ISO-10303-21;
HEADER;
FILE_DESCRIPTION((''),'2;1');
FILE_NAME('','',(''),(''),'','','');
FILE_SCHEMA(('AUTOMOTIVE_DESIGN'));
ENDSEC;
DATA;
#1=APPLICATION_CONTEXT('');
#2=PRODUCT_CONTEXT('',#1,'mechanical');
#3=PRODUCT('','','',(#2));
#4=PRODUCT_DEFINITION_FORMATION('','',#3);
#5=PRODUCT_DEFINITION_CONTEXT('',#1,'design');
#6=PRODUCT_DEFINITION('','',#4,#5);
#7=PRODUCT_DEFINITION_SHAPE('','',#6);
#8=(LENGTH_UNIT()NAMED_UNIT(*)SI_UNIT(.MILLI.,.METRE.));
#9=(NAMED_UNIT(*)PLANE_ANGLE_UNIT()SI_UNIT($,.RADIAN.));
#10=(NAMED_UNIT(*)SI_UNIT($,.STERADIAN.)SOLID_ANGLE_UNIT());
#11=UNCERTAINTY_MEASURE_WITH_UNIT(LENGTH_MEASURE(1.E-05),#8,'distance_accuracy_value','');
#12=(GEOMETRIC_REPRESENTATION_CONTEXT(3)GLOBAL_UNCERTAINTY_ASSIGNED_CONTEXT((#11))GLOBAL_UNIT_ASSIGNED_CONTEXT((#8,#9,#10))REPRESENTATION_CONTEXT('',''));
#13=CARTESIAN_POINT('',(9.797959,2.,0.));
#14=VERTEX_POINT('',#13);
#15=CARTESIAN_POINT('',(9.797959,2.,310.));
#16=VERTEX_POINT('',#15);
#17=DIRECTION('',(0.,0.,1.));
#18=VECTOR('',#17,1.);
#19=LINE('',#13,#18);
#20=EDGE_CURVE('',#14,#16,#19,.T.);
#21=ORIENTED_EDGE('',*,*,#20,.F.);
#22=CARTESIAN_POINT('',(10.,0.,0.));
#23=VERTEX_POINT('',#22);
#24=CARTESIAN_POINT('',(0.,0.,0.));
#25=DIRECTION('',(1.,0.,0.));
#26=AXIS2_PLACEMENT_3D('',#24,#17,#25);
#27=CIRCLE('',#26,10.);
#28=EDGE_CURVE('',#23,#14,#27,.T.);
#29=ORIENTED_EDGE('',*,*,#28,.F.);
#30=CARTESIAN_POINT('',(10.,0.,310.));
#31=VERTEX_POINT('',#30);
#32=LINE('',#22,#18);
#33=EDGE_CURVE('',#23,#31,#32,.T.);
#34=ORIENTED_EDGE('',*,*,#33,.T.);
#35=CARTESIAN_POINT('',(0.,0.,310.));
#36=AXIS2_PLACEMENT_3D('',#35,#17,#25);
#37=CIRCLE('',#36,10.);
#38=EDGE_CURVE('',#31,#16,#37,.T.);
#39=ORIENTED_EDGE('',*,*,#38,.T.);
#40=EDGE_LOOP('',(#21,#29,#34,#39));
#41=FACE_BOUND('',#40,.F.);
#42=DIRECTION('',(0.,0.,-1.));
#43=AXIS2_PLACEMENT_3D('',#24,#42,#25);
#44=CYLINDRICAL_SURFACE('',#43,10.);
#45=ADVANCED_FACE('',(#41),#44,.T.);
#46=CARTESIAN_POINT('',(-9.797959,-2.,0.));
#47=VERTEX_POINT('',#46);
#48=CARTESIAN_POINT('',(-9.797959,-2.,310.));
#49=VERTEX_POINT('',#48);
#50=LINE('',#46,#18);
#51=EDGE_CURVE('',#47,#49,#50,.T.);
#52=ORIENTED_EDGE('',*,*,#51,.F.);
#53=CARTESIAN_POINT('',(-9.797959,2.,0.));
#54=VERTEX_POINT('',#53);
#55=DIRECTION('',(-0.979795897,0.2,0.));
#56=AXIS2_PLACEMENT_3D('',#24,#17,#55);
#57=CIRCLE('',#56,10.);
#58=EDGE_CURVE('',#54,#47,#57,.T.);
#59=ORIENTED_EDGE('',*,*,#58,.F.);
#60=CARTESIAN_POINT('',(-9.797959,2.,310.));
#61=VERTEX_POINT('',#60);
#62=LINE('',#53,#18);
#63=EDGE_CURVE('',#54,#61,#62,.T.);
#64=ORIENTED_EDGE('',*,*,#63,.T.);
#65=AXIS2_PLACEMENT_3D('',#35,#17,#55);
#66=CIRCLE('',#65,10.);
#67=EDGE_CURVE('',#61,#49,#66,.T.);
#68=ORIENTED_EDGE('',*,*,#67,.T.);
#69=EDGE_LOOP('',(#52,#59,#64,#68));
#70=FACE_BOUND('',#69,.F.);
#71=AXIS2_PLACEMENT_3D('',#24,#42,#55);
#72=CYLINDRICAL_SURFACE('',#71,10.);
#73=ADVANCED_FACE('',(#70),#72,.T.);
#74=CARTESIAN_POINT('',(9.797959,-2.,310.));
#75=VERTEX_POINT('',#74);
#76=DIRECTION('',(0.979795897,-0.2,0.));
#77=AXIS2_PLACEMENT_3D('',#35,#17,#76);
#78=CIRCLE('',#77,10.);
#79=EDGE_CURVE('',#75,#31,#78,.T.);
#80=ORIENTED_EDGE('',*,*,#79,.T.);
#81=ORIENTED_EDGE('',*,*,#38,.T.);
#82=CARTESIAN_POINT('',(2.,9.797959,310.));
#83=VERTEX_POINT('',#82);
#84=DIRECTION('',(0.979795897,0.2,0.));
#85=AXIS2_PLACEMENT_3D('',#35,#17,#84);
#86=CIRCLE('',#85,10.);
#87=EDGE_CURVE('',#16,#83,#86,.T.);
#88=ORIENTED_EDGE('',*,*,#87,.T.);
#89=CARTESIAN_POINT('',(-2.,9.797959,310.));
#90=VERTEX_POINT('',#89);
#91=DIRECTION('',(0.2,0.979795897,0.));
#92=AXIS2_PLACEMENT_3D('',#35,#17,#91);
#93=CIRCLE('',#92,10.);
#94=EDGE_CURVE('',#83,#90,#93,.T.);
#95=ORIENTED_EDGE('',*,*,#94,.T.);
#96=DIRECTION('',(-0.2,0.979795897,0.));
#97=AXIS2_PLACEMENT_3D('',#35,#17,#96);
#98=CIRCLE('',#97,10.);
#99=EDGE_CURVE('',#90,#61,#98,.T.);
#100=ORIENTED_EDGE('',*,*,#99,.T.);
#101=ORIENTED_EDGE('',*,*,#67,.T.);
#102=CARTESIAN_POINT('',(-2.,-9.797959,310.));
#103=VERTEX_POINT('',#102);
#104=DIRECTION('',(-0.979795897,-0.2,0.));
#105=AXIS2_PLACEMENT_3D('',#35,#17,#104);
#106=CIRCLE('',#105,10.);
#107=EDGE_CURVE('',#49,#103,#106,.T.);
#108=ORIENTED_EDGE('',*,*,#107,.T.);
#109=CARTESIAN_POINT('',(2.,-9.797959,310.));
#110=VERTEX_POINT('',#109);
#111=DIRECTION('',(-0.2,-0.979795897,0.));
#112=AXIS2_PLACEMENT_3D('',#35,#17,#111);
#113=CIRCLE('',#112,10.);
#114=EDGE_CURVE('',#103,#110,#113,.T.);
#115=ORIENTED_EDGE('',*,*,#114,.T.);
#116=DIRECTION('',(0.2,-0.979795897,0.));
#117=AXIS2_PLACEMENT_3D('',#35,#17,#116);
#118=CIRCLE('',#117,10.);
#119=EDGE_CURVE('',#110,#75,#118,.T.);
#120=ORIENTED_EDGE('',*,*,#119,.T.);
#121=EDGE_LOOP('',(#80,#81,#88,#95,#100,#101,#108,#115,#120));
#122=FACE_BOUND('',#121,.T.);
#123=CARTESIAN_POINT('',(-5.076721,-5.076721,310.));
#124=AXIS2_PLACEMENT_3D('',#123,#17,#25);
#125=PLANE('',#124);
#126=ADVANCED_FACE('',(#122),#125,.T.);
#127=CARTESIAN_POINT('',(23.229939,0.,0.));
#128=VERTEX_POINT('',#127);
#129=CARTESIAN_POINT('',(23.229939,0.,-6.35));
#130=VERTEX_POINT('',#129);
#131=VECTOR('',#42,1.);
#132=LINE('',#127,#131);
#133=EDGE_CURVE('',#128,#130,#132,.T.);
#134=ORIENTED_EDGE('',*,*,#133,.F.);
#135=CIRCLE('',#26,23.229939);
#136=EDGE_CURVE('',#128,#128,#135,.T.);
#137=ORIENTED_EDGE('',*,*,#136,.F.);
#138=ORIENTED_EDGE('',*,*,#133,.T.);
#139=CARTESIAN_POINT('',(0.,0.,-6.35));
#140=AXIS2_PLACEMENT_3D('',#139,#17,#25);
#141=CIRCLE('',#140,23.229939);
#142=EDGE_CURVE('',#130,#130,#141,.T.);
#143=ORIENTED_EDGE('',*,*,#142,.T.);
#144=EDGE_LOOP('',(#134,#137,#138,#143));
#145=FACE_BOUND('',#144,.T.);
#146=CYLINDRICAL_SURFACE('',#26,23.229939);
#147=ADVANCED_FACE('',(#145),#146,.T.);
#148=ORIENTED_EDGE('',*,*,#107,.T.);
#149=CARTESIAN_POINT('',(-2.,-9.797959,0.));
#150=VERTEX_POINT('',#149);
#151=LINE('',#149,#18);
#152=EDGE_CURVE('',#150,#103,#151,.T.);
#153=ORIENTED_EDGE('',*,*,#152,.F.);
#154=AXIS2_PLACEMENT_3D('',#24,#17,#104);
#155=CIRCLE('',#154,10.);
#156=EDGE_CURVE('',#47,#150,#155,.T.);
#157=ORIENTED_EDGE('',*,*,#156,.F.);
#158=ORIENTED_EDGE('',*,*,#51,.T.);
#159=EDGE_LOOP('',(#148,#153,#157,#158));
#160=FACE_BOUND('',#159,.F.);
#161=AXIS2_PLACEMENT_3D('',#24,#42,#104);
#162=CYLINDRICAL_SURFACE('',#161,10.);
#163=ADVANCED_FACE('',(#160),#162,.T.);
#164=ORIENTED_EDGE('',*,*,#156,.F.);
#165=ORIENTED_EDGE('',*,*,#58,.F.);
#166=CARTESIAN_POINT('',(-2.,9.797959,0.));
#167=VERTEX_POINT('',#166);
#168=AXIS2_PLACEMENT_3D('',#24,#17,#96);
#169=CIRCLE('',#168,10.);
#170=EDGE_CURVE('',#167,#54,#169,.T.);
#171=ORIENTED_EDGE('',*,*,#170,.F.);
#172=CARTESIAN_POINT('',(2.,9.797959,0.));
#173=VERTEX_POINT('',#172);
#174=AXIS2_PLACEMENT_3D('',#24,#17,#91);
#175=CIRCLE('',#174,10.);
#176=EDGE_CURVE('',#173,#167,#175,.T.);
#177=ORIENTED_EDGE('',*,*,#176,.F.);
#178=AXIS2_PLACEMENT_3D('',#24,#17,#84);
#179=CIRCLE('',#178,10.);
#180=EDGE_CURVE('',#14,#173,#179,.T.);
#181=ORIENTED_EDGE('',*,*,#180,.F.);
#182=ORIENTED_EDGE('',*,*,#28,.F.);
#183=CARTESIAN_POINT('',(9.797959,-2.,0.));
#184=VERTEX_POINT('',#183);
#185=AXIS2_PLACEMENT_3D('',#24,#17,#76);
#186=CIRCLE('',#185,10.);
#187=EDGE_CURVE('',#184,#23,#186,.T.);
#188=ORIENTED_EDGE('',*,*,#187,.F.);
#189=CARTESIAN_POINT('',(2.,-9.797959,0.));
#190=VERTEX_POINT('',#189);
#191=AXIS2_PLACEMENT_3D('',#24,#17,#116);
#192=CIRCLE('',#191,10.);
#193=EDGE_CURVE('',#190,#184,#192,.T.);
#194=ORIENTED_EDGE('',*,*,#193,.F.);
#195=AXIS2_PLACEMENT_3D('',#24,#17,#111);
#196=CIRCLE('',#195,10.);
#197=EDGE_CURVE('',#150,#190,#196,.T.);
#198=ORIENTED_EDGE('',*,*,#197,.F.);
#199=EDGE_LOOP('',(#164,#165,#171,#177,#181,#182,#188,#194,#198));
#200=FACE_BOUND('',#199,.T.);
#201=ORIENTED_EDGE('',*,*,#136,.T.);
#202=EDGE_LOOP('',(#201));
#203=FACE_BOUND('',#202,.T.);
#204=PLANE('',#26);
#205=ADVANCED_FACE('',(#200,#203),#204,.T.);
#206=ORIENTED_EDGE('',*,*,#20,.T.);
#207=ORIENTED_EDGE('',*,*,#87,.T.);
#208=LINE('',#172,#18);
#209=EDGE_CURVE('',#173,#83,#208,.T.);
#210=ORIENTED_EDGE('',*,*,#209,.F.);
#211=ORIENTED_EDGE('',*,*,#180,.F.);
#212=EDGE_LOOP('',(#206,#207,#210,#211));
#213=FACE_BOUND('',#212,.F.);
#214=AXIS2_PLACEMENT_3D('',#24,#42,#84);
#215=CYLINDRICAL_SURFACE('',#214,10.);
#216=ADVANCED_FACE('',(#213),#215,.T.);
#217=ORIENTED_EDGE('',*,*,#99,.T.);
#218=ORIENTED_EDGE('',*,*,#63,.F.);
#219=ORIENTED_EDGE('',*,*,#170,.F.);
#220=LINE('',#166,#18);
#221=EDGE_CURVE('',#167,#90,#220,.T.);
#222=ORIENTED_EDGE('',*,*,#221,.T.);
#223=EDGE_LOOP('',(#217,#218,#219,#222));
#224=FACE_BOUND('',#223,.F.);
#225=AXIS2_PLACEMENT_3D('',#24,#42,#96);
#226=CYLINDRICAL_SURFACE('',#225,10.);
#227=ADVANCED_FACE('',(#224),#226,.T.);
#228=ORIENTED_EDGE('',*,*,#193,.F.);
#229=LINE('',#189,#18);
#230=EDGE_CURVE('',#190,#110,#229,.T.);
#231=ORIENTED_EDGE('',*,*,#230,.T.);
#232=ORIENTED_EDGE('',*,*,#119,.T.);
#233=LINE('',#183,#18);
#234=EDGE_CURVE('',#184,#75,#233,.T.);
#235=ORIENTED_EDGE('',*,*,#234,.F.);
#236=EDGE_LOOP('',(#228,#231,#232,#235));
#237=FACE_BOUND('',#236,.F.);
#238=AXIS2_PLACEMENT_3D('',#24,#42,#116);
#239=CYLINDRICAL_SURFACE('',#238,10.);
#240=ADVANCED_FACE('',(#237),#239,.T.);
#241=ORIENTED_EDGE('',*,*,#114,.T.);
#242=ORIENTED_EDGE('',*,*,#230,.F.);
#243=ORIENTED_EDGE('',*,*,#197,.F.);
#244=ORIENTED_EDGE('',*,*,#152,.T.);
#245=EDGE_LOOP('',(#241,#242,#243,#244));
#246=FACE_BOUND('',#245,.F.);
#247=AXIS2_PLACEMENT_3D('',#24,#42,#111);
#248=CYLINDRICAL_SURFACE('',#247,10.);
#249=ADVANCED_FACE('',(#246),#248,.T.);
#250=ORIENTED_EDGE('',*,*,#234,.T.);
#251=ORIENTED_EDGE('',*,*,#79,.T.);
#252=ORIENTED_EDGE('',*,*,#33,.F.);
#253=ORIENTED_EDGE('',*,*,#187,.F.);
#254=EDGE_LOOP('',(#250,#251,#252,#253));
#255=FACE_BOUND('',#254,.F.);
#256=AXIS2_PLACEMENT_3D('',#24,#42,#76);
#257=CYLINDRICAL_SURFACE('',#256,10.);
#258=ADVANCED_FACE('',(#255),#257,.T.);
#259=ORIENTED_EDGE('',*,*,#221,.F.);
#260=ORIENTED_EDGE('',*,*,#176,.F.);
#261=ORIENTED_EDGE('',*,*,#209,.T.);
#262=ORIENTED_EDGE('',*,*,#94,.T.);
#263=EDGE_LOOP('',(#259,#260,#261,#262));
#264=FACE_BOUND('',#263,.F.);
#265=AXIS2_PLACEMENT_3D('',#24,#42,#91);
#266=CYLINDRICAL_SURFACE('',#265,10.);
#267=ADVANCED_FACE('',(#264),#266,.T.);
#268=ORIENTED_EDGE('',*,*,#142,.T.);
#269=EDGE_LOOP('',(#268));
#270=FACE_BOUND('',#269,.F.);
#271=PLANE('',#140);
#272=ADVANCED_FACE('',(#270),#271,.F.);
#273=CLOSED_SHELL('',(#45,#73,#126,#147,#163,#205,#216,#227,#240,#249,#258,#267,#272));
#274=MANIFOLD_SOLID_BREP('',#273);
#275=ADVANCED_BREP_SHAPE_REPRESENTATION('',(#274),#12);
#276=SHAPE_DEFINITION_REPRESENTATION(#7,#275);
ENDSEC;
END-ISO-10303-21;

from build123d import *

# Parameters (mm, degrees)
F0_W      = 4
F0_H      = 6
F0_W_2    = 6
F0_H_2    = 4
F1_DEPTH  = 310
F0_R      = 23.2299386705
F0_R_2    = 16.3256900969
F1_FACE_R = 10
F2_DEPTH  = 6.35


with BuildPart() as f1:
    # F0 (on Top) → F1 (new body)
    with BuildSketch(Plane.XY):
        with BuildLine():
            ThreePointArc((-9.7979589711, -2), (-7.0710678119, -7.0710678119), (-2, -9.7979589711))
            Line((-2, -9.7979589711), (-2, -8))
            Line((-2, -8), (-2, -2))
            Line((-2, -2), (-8, -2))
            Line((-8, -2), (-9.7979589711, -2))
        make_face()
        with BuildLine():
            Line((-2, 8), (-2, 9.7979589711))
            ThreePointArc((-2, 9.7979589711), (-7.0710678119, 7.0710678119), (-9.7979589711, 2))
            Line((-9.7979589711, 2), (-8, 2))
            Line((-8, 2), (-2, 2))
            Line((-2, 2), (-2, 8))
        make_face()
        with BuildLine():
            Line((8, 2), (9.7979589711, 2))
            ThreePointArc((9.7979589711, 2), (7.0710678119, 7.0710678119), (2, 9.7979589711))
            Line((2, 9.7979589711), (2, 8))
            Line((2, 8), (2, 2))
            Line((2, 2), (8, 2))
        make_face()
        with BuildLine():
            ThreePointArc((2, -9.7979589711), (7.0710678119, -7.0710678119), (9.7979589711, -2))
            Line((9.7979589711, -2), (8, -2))
            Line((8, -2), (2, -2))
            Line((2, -2), (2, -8))
            Line((2, -8), (2, -9.7979589711))
        make_face()
        with Locations((0, -5)):
            Rectangle(F0_W, F0_H)
        with Locations((5, 0)):
            Rectangle(F0_W_2, F0_H_2)
        with Locations((0, 5)):
            Rectangle(F0_W, F0_H)
        with BuildLine():
            Line((2, 8), (2, 9.7979589711))
            ThreePointArc((2, 9.7979589711), (0, 10), (-2, 9.7979589711))
            Line((-2, 9.7979589711), (-2, 8))
            Line((-2, 8), (2, 8))
        make_face()
        with Locations((-5, 0)):
            Rectangle(F0_W_2, F0_H_2)
        with BuildLine():
            Line((-8, 2), (-9.7979589711, 2))
            ThreePointArc((-9.7979589711, 2), (-10, 0), (-9.7979589711, -2))
            Line((-9.7979589711, -2), (-8, -2))
            Line((-8, -2), (-8, 2))
        make_face()
        Rectangle(F0_W, F0_H_2)
        with BuildLine():
            ThreePointArc((-2, -9.7979589711), (0, -10), (2, -9.7979589711))
            Line((2, -9.7979589711), (2, -8))
            Line((2, -8), (-2, -8))
            Line((-2, -8), (-2, -9.7979589711))
        make_face()
        with BuildLine():
            ThreePointArc((9.7979589711, -2), (9.9493615301, -1.0050896201), (10, 0))
            ThreePointArc((10, 0), (9.9493615301, 1.0050896201), (9.7979589711, 2))
            Line((9.7979589711, 2), (8, 2))
            Line((8, 2), (8, -2))
            Line((8, -2), (9.7979589711, -2))
        make_face()
    extrude(amount=F1_DEPTH)

    # F0 (on Top) + F1_face (on face) → F2 (join)
    with BuildSketch(Plane.XY):
        Circle(F0_R)
        Polygon((10.3425991178, 17.9139071543), (20.6851982355, 0), (10.3425991178, -17.9139071543), (-10.3425991178, -17.9139071543), (-20.6851982355, 0), (-10.3425991178, 17.9139071543), align=None, mode=Mode.SUBTRACT)
        Polygon((10.3425991178, -17.9139071543), (20.6851982355, 0), (10.3425991178, 17.9139071543), (-10.3425991178, 17.9139071543), (-20.6851982355, 0), (-10.3425991178, -17.9139071543), align=None)
        Circle(F0_R_2, mode=Mode.SUBTRACT)
        Circle(F0_R_2)
        with BuildLine():
            ThreePointArc((2, 9.7979589711), (7.0710678119, 7.0710678119), (9.7979589711, 2))
            Line((9.7979589711, 2), (12.5, 2))
            Line((12.5, 2), (12.5, -2))
            Line((12.5, -2), (9.7979589711, -2))
            ThreePointArc((9.7979589711, -2), (7.0710678119, -7.0710678119), (2, -9.7979589711))
            Line((2, -9.7979589711), (2, -12.5))
            Line((2, -12.5), (-2, -12.5))
            Line((-2, -12.5), (-2, -9.7979589711))
            ThreePointArc((-2, -9.7979589711), (-7.0710678119, -7.0710678119), (-9.7979589711, -2))
            Line((-9.7979589711, -2), (-12.5, -2))
            Line((-12.5, -2), (-12.5, 2))
            Line((-12.5, 2), (-9.7979589711, 2))
            ThreePointArc((-9.7979589711, 2), (-7.0710678119, 7.0710678119), (-2, 9.7979589711))
            Line((-2, 9.7979589711), (-2, 12.5))
            Line((-2, 12.5), (2, 12.5))
            Line((2, 12.5), (2, 9.7979589711))
        make_face(mode=Mode.SUBTRACT)
        with BuildLine():
            ThreePointArc((2, -9.7979589711), (7.0710678119, -7.0710678119), (9.7979589711, -2))
            Line((9.7979589711, -2), (8, -2))
            Line((8, -2), (2, -2))
            Line((2, -2), (2, -8))
            Line((2, -8), (2, -9.7979589711))
        make_face()
        with BuildLine():
            Line((8, 2), (9.7979589711, 2))
            ThreePointArc((9.7979589711, 2), (7.0710678119, 7.0710678119), (2, 9.7979589711))
            Line((2, 9.7979589711), (2, 8))
            Line((2, 8), (2, 2))
            Line((2, 2), (8, 2))
        make_face()
        with BuildLine():
            Line((-2, 8), (-2, 9.7979589711))
            ThreePointArc((-2, 9.7979589711), (-7.0710678119, 7.0710678119), (-9.7979589711, 2))
            Line((-9.7979589711, 2), (-8, 2))
            Line((-8, 2), (-2, 2))
            Line((-2, 2), (-2, 8))
        make_face()
        with BuildLine():
            ThreePointArc((-9.7979589711, -2), (-7.0710678119, -7.0710678119), (-2, -9.7979589711))
            Line((-2, -9.7979589711), (-2, -8))
            Line((-2, -8), (-2, -2))
            Line((-2, -2), (-8, -2))
            Line((-8, -2), (-9.7979589711, -2))
        make_face()
        with Locations((0, -5)):
            Rectangle(F0_W, F0_H)
        with Locations((0, 5)):
            Rectangle(F0_W, F0_H)
        with Locations((5, 0)):
            Rectangle(F0_W_2, F0_H_2)
        with Locations((-5, 0)):
            Rectangle(F0_W_2, F0_H_2)
        Rectangle(F0_W, F0_H_2)
        with BuildLine():
            ThreePointArc((9.7979589711, 2), (9.9493615301, 1.0050896201), (10, 0))
            ThreePointArc((10, 0), (9.9493615301, -1.0050896201), (9.7979589711, -2))
            Line((9.7979589711, -2), (12.5, -2))
            Line((12.5, -2), (12.5, 2))
            Line((12.5, 2), (9.7979589711, 2))
        make_face()
        with BuildLine():
            ThreePointArc((-2, 9.7979589711), (0, 10), (2, 9.7979589711))
            Line((2, 9.7979589711), (2, 12.5))
            Line((2, 12.5), (-2, 12.5))
            Line((-2, 12.5), (-2, 9.7979589711))
        make_face()
        with BuildLine():
            ThreePointArc((-9.7979589711, -2), (-10, 0), (-9.7979589711, 2))
            Line((-9.7979589711, 2), (-12.5, 2))
            Line((-12.5, 2), (-12.5, -2))
            Line((-12.5, -2), (-9.7979589711, -2))
        make_face()
        with BuildLine():
            Line((2, -12.5), (2, -9.7979589711))
            ThreePointArc((2, -9.7979589711), (0, -10), (-2, -9.7979589711))
            Line((-2, -9.7979589711), (-2, -12.5))
            Line((-2, -12.5), (2, -12.5))
        make_face()
        with BuildLine():
            ThreePointArc((9.7979589711, -2), (9.9493615301, -1.0050896201), (10, 0))
            ThreePointArc((10, 0), (9.9493615301, 1.0050896201), (9.7979589711, 2))
            Line((9.7979589711, 2), (8, 2))
            Line((8, 2), (8, -2))
            Line((8, -2), (9.7979589711, -2))
        make_face()
        with BuildLine():
            ThreePointArc((-2, -9.7979589711), (0, -10), (2, -9.7979589711))
            Line((2, -9.7979589711), (2, -8))
            Line((2, -8), (-2, -8))
            Line((-2, -8), (-2, -9.7979589711))
        make_face()
        with BuildLine():
            Line((2, 8), (2, 9.7979589711))
            ThreePointArc((2, 9.7979589711), (0, 10), (-2, 9.7979589711))
            Line((-2, 9.7979589711), (-2, 8))
            Line((-2, 8), (2, 8))
        make_face()
        with BuildLine():
            Line((-8, 2), (-9.7979589711, 2))
            ThreePointArc((-9.7979589711, 2), (-10, 0), (-9.7979589711, -2))
            Line((-9.7979589711, -2), (-8, -2))
            Line((-8, -2), (-8, 2))
        make_face()
    with BuildSketch(Plane(origin=(0, 0, 0), x_dir=(1, 0, 0), z_dir=(0, 0, -1))):
        Circle(F1_FACE_R)
    extrude(amount=-F2_DEPTH, dir=(0, 0, 1))


solid = f1.part
